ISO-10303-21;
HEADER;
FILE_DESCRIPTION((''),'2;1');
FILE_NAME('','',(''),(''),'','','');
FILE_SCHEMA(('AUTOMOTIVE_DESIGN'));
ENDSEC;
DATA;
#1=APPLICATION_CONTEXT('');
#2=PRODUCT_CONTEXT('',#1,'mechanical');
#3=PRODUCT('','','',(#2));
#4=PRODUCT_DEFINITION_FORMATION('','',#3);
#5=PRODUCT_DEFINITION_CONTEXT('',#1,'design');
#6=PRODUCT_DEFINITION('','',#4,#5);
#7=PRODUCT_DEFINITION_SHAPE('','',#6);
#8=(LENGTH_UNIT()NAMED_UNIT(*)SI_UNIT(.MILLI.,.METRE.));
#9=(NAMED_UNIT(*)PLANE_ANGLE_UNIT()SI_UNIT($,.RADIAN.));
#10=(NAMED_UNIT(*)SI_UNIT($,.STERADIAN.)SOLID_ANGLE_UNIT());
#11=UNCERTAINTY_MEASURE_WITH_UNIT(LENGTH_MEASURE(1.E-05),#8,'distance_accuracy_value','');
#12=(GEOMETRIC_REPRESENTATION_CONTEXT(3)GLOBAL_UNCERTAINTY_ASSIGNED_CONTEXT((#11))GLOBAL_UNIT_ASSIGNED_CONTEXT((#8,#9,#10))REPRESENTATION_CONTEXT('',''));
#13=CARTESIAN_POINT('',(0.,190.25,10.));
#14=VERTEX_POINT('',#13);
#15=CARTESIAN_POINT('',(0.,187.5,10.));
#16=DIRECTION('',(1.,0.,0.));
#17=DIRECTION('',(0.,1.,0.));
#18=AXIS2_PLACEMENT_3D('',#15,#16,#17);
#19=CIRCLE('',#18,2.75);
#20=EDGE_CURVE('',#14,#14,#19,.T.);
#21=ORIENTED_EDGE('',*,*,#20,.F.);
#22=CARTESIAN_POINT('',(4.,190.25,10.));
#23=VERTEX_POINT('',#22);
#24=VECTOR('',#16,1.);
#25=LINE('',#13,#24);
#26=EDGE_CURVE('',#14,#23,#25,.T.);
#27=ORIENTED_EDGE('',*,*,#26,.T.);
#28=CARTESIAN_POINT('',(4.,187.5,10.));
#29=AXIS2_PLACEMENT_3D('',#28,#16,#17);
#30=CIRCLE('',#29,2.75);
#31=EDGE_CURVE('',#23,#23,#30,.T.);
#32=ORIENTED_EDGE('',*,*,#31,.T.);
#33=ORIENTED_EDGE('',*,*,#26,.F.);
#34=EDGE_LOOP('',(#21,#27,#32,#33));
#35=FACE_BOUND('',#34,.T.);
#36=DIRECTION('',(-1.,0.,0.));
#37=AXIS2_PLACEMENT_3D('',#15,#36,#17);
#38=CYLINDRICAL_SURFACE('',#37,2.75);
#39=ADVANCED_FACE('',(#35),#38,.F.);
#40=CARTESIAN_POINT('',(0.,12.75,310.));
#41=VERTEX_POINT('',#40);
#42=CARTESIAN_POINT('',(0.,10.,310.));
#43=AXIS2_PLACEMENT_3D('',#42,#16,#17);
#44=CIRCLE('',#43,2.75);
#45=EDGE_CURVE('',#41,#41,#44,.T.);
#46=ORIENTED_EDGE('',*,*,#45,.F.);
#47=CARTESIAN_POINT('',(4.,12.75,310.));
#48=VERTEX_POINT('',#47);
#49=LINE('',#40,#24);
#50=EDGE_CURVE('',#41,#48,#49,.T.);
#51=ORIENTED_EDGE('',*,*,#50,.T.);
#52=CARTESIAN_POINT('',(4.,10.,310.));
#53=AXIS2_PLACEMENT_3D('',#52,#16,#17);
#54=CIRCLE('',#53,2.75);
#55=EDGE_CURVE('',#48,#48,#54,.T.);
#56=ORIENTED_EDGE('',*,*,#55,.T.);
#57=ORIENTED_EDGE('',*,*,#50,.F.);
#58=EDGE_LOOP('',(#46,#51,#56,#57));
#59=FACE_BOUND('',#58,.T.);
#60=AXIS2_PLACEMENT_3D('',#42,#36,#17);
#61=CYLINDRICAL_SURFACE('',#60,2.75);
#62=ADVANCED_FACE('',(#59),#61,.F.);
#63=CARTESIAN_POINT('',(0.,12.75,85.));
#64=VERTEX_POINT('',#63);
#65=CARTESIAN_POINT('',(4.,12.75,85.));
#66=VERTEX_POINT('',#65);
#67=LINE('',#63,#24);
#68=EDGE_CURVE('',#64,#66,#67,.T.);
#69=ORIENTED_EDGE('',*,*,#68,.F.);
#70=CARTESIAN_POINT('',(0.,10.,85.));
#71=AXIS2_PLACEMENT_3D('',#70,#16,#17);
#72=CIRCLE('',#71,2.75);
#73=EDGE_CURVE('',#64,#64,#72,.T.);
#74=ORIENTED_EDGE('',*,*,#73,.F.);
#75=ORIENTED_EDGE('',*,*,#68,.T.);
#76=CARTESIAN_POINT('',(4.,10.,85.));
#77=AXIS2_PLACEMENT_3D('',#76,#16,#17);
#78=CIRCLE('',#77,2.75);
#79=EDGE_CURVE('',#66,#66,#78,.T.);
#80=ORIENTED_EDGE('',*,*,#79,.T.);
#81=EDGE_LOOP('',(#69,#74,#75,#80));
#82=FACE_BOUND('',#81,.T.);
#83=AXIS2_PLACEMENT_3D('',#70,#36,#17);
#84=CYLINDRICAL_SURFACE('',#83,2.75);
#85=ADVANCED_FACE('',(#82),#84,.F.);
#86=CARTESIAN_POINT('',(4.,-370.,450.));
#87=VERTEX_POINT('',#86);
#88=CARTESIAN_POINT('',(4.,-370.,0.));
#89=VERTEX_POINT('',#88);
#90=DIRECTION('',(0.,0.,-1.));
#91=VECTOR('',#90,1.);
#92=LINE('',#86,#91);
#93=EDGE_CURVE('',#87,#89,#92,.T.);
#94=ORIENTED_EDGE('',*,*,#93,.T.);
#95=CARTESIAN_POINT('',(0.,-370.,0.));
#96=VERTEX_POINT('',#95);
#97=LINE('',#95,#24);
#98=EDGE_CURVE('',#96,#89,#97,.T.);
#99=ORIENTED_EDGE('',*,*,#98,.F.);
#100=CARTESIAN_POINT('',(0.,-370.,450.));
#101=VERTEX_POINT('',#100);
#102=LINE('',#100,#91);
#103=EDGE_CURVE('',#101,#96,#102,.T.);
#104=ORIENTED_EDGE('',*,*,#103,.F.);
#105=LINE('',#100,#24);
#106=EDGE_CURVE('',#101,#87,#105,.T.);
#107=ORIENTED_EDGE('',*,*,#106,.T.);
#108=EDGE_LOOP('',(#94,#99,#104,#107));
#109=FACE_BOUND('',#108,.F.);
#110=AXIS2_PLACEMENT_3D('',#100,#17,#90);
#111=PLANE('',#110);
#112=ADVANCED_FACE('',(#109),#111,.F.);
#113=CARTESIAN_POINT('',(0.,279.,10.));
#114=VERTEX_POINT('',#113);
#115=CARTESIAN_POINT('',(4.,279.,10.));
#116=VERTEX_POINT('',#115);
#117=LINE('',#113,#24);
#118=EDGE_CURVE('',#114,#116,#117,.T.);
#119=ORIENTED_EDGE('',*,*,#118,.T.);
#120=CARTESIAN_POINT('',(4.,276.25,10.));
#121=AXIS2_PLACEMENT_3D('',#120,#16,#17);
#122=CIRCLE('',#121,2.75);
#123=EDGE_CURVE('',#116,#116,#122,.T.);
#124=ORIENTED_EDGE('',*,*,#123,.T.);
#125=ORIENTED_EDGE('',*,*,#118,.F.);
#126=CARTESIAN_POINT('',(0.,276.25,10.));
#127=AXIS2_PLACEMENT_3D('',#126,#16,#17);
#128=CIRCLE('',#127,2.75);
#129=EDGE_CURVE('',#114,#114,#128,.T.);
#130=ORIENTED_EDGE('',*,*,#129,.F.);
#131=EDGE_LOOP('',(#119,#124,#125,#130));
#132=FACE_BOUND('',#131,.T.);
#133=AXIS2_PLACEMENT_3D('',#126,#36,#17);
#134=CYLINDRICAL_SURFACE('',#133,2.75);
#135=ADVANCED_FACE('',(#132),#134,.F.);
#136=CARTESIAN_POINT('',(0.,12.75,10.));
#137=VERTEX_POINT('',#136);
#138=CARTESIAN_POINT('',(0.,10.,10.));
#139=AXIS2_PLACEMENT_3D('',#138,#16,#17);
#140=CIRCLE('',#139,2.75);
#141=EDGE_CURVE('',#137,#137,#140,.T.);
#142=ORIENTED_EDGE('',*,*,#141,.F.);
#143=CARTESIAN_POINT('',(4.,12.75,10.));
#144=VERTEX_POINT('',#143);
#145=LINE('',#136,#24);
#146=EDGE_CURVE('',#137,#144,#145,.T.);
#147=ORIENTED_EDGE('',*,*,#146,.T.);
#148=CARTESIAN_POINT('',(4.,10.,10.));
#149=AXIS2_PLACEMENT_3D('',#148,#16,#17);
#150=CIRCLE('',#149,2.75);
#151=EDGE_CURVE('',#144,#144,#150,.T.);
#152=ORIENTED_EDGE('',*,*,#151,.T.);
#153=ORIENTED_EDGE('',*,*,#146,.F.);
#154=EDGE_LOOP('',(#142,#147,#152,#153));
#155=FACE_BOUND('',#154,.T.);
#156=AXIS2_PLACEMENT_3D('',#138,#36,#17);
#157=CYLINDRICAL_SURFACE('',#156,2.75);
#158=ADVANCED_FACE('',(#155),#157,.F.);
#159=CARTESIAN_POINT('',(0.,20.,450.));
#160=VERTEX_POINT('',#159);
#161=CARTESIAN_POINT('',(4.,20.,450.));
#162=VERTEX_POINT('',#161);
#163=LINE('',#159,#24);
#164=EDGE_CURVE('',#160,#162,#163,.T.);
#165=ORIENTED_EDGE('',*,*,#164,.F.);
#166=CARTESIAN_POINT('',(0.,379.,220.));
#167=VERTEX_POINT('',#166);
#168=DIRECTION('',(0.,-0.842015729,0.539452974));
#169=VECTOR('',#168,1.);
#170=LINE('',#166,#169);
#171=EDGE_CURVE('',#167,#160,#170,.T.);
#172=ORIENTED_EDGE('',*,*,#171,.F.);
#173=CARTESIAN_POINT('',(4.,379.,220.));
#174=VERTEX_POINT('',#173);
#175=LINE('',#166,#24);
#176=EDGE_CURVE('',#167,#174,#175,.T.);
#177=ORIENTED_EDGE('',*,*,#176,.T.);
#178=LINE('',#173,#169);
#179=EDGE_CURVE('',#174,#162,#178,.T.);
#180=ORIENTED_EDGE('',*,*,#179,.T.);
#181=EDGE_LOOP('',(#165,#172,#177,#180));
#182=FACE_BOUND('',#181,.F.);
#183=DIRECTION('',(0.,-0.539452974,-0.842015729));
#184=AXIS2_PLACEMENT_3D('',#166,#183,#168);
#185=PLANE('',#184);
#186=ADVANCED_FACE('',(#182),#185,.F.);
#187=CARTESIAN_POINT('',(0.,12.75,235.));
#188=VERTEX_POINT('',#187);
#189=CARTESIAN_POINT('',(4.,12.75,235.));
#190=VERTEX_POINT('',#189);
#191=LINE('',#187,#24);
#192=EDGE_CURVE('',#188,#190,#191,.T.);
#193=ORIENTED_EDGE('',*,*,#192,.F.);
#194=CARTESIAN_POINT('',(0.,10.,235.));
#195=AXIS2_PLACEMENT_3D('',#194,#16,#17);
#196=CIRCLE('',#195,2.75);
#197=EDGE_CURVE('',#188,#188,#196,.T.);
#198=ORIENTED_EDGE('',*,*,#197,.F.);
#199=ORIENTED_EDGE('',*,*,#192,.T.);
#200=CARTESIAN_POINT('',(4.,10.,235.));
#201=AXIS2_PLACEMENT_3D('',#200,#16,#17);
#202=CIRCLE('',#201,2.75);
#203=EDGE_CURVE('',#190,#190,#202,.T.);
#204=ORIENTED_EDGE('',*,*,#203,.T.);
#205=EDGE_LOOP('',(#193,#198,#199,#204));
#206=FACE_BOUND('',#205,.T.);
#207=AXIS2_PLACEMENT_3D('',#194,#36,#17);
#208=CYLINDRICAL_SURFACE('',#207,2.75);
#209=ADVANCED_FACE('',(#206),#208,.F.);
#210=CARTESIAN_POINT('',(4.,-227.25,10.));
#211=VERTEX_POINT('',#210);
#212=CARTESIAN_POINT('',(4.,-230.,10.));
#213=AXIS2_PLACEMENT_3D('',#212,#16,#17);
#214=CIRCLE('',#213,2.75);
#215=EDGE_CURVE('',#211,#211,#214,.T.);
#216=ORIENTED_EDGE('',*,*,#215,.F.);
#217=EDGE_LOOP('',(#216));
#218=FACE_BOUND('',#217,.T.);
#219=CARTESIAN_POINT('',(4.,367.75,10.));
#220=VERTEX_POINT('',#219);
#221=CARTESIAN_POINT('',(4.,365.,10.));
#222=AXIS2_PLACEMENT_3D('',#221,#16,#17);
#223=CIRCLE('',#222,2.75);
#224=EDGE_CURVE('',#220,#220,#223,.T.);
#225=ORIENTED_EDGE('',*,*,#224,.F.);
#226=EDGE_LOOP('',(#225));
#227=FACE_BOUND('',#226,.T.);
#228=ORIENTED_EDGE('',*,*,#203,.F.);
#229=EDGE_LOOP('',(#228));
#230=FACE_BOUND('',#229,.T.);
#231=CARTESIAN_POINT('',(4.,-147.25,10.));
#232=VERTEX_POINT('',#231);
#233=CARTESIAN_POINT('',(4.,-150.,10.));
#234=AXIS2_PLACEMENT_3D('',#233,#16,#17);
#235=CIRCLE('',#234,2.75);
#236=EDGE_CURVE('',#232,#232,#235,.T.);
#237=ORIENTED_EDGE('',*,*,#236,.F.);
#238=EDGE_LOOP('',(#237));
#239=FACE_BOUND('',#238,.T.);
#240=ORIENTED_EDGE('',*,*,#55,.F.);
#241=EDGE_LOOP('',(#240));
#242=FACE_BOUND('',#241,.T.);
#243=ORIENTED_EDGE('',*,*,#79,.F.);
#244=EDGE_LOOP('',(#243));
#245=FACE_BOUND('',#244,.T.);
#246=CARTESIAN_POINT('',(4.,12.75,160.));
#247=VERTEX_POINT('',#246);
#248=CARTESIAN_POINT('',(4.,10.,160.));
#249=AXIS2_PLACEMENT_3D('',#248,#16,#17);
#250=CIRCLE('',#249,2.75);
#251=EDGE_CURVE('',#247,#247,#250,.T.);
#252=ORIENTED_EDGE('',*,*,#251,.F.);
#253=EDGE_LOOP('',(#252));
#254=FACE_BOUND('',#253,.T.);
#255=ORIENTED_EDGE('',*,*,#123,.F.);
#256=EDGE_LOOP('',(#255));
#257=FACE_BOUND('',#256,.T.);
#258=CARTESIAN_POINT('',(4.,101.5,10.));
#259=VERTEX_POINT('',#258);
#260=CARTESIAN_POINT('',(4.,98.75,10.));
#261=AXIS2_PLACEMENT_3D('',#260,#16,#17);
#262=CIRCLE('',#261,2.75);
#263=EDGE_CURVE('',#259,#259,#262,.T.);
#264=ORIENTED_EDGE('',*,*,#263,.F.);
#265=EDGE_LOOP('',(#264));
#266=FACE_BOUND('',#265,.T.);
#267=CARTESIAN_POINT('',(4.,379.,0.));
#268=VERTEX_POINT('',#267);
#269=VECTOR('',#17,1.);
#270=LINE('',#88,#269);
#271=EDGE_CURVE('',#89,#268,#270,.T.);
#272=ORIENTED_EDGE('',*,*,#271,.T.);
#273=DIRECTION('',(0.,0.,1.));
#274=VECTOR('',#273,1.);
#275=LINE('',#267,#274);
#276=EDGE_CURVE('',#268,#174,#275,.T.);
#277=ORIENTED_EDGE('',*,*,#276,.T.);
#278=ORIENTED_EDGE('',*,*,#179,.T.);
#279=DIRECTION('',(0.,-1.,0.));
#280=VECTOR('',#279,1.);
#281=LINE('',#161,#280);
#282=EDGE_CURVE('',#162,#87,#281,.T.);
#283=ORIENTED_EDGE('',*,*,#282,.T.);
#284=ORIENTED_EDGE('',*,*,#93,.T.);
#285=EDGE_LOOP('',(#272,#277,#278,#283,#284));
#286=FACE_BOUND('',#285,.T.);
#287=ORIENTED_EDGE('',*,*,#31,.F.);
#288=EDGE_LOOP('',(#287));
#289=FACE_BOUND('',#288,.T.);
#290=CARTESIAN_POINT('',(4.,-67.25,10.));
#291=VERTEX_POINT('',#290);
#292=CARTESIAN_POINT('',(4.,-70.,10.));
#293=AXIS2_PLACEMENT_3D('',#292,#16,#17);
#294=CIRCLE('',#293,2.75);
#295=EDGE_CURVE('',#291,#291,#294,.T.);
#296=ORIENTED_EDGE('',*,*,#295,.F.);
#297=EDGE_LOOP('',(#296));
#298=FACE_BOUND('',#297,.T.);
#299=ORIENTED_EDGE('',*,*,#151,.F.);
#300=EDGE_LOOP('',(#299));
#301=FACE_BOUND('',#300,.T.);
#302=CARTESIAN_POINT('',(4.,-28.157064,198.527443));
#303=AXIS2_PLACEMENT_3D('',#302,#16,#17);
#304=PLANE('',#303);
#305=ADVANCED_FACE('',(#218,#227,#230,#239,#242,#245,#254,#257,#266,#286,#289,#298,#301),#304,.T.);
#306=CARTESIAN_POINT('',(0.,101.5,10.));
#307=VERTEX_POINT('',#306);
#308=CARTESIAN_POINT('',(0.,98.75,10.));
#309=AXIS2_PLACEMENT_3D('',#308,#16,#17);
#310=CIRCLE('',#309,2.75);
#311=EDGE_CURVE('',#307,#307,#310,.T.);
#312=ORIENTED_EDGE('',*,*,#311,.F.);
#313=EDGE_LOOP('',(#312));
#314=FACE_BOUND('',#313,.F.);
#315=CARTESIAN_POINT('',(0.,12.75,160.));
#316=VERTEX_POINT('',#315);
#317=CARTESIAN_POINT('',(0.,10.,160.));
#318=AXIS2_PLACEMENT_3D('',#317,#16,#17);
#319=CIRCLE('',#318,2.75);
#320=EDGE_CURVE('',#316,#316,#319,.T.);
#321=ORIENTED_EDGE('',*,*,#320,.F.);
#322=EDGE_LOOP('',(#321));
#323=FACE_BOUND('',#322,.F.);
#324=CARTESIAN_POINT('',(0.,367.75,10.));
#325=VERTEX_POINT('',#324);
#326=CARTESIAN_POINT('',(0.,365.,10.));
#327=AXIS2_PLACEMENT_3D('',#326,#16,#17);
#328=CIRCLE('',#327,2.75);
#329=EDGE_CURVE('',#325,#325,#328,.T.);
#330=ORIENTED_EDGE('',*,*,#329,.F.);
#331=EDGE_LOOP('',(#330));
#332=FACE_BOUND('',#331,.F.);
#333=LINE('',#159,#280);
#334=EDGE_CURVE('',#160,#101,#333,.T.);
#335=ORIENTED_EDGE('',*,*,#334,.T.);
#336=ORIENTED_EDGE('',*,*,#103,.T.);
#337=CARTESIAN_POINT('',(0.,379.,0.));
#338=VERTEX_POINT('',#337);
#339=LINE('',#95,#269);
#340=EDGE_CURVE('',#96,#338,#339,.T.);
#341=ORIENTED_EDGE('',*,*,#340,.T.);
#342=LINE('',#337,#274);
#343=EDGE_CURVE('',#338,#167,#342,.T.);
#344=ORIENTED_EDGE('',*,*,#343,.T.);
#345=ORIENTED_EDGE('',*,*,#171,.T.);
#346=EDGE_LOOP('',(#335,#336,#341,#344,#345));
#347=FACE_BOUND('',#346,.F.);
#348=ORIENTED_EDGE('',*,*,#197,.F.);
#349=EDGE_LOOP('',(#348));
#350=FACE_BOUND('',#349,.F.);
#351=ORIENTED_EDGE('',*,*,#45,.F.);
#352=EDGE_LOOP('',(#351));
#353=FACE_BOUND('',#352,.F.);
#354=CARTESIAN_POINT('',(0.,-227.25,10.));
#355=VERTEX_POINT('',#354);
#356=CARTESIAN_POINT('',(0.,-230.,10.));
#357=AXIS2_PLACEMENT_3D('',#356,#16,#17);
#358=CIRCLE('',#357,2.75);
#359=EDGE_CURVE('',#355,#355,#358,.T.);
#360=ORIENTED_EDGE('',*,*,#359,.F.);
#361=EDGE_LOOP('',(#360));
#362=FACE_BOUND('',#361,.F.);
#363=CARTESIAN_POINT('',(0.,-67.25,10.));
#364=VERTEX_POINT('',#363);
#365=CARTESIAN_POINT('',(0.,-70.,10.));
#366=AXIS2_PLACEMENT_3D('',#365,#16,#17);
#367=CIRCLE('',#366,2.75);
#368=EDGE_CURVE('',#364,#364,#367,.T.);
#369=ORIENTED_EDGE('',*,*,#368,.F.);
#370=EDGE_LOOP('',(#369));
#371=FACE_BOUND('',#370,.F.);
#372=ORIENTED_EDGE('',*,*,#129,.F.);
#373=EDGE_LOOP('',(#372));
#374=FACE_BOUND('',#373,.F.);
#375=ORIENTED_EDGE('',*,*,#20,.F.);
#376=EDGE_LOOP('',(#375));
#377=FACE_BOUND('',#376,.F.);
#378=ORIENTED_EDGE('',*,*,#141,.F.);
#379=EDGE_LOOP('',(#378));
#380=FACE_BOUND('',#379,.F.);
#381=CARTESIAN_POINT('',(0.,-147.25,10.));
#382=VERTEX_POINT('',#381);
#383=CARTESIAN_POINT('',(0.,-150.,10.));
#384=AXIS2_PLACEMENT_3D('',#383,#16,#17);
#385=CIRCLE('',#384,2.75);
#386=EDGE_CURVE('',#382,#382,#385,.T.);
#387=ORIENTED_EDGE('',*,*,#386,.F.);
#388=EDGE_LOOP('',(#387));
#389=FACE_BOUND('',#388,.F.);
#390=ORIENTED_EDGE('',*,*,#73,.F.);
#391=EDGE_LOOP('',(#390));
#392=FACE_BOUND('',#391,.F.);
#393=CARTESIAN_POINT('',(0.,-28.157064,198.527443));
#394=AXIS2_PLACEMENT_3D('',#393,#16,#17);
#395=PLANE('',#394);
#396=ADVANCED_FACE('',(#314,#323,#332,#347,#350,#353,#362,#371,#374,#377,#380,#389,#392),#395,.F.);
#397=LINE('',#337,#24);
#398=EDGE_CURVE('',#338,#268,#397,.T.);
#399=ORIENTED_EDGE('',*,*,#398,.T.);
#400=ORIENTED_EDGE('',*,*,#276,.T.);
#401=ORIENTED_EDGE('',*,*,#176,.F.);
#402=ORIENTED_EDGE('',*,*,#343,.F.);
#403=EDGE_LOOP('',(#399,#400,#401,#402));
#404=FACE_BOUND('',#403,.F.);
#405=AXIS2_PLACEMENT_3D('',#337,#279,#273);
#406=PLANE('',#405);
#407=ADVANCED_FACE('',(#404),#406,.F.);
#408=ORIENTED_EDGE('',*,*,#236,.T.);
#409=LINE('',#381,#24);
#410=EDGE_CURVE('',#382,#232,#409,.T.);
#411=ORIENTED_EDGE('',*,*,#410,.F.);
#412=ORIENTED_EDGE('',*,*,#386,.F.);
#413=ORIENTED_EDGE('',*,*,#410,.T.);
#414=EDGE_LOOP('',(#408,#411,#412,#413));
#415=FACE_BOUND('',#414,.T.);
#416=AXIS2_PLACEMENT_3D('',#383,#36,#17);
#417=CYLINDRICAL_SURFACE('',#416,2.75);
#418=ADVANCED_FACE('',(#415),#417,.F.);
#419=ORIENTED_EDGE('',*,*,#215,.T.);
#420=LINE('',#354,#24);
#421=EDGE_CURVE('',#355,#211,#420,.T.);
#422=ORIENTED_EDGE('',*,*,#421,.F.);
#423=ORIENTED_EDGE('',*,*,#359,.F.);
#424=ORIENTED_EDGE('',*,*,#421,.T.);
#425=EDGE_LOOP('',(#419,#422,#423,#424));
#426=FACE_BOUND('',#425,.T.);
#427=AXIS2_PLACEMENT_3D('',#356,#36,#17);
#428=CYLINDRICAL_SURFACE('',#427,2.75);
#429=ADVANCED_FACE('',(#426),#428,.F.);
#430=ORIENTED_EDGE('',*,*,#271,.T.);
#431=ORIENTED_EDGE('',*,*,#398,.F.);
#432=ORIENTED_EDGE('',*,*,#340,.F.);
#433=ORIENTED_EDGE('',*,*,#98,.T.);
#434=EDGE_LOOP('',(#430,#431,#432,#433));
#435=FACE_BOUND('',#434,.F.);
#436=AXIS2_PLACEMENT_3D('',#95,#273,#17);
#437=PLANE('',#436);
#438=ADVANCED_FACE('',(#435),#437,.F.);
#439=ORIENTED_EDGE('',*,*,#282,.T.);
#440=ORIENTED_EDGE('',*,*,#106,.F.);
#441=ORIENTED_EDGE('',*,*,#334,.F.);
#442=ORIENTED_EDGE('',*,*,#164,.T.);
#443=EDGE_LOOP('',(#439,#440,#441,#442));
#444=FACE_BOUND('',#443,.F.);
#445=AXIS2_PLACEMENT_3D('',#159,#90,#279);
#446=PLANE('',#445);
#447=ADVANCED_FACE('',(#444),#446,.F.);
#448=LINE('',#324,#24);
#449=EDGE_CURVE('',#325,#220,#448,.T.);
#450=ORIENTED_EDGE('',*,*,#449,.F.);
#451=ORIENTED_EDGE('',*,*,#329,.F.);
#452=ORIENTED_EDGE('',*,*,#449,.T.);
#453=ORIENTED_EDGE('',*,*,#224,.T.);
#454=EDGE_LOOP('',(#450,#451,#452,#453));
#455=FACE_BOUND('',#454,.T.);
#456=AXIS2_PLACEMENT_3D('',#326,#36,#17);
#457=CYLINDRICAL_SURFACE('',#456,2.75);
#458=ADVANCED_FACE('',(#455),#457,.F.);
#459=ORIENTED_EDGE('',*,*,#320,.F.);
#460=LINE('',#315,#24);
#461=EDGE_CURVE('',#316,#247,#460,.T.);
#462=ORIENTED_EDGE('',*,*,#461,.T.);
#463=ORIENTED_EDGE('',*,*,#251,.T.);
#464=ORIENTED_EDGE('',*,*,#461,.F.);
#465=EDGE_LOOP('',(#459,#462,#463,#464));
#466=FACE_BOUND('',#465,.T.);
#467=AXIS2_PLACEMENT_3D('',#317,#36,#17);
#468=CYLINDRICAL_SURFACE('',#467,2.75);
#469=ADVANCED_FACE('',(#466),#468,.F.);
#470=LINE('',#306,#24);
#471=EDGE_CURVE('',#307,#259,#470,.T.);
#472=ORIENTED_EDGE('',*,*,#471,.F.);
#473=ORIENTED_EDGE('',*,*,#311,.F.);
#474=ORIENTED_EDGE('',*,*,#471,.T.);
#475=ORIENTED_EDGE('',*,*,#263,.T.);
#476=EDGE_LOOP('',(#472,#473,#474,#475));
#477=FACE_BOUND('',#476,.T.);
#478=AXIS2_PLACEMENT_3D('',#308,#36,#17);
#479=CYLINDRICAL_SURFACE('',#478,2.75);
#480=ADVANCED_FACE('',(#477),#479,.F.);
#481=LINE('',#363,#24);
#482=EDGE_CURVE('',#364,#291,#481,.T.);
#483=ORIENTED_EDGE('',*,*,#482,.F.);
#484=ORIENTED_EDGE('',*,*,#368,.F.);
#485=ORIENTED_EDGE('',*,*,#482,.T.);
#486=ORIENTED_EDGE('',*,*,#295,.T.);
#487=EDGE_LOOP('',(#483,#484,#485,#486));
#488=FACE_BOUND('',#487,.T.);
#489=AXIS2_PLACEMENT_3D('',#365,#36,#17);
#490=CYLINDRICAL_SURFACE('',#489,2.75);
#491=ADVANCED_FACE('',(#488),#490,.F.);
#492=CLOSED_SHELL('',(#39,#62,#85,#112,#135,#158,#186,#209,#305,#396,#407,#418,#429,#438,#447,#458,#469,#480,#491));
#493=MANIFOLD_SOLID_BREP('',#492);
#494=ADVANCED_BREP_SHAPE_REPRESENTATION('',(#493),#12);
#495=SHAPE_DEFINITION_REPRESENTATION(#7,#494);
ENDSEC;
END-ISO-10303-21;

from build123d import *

# Parameters (mm, degrees)
F0_R     = 2.75
F1_DEPTH = 4


with BuildPart() as f1:
    # F0 (on Right) → F1 (new body)
    with BuildSketch(Plane.YZ):
        Polygon((0, 0), (379, 0), (379, 220), (20, 450), (0, 450), (-370, 450), (-370, 0), align=None)
        with Locations((-230, 10)):
            Circle(F0_R, mode=Mode.SUBTRACT)
        with Locations((-150, 10)):
            Circle(F0_R, mode=Mode.SUBTRACT)
        with Locations((-70, 10)):
            Circle(F0_R, mode=Mode.SUBTRACT)
        with Locations((10, 10)):
            Circle(F0_R, mode=Mode.SUBTRACT)
        with Locations((98.75, 10)):
            Circle(F0_R, mode=Mode.SUBTRACT)
        with Locations((187.5, 10)):
            Circle(F0_R, mode=Mode.SUBTRACT)
        with Locations((10, 85)):
            Circle(F0_R, mode=Mode.SUBTRACT)
        with Locations((276.25, 10)):
            Circle(F0_R, mode=Mode.SUBTRACT)
        with Locations((365, 10)):
            Circle(F0_R, mode=Mode.SUBTRACT)
        with Locations((10, 160)):
            Circle(F0_R, mode=Mode.SUBTRACT)
        with Locations((10, 235)):
            Circle(F0_R, mode=Mode.SUBTRACT)
        with Locations((10, 310)):
            Circle(F0_R, mode=Mode.SUBTRACT)
    extrude(amount=F1_DEPTH)


solid = f1.part
